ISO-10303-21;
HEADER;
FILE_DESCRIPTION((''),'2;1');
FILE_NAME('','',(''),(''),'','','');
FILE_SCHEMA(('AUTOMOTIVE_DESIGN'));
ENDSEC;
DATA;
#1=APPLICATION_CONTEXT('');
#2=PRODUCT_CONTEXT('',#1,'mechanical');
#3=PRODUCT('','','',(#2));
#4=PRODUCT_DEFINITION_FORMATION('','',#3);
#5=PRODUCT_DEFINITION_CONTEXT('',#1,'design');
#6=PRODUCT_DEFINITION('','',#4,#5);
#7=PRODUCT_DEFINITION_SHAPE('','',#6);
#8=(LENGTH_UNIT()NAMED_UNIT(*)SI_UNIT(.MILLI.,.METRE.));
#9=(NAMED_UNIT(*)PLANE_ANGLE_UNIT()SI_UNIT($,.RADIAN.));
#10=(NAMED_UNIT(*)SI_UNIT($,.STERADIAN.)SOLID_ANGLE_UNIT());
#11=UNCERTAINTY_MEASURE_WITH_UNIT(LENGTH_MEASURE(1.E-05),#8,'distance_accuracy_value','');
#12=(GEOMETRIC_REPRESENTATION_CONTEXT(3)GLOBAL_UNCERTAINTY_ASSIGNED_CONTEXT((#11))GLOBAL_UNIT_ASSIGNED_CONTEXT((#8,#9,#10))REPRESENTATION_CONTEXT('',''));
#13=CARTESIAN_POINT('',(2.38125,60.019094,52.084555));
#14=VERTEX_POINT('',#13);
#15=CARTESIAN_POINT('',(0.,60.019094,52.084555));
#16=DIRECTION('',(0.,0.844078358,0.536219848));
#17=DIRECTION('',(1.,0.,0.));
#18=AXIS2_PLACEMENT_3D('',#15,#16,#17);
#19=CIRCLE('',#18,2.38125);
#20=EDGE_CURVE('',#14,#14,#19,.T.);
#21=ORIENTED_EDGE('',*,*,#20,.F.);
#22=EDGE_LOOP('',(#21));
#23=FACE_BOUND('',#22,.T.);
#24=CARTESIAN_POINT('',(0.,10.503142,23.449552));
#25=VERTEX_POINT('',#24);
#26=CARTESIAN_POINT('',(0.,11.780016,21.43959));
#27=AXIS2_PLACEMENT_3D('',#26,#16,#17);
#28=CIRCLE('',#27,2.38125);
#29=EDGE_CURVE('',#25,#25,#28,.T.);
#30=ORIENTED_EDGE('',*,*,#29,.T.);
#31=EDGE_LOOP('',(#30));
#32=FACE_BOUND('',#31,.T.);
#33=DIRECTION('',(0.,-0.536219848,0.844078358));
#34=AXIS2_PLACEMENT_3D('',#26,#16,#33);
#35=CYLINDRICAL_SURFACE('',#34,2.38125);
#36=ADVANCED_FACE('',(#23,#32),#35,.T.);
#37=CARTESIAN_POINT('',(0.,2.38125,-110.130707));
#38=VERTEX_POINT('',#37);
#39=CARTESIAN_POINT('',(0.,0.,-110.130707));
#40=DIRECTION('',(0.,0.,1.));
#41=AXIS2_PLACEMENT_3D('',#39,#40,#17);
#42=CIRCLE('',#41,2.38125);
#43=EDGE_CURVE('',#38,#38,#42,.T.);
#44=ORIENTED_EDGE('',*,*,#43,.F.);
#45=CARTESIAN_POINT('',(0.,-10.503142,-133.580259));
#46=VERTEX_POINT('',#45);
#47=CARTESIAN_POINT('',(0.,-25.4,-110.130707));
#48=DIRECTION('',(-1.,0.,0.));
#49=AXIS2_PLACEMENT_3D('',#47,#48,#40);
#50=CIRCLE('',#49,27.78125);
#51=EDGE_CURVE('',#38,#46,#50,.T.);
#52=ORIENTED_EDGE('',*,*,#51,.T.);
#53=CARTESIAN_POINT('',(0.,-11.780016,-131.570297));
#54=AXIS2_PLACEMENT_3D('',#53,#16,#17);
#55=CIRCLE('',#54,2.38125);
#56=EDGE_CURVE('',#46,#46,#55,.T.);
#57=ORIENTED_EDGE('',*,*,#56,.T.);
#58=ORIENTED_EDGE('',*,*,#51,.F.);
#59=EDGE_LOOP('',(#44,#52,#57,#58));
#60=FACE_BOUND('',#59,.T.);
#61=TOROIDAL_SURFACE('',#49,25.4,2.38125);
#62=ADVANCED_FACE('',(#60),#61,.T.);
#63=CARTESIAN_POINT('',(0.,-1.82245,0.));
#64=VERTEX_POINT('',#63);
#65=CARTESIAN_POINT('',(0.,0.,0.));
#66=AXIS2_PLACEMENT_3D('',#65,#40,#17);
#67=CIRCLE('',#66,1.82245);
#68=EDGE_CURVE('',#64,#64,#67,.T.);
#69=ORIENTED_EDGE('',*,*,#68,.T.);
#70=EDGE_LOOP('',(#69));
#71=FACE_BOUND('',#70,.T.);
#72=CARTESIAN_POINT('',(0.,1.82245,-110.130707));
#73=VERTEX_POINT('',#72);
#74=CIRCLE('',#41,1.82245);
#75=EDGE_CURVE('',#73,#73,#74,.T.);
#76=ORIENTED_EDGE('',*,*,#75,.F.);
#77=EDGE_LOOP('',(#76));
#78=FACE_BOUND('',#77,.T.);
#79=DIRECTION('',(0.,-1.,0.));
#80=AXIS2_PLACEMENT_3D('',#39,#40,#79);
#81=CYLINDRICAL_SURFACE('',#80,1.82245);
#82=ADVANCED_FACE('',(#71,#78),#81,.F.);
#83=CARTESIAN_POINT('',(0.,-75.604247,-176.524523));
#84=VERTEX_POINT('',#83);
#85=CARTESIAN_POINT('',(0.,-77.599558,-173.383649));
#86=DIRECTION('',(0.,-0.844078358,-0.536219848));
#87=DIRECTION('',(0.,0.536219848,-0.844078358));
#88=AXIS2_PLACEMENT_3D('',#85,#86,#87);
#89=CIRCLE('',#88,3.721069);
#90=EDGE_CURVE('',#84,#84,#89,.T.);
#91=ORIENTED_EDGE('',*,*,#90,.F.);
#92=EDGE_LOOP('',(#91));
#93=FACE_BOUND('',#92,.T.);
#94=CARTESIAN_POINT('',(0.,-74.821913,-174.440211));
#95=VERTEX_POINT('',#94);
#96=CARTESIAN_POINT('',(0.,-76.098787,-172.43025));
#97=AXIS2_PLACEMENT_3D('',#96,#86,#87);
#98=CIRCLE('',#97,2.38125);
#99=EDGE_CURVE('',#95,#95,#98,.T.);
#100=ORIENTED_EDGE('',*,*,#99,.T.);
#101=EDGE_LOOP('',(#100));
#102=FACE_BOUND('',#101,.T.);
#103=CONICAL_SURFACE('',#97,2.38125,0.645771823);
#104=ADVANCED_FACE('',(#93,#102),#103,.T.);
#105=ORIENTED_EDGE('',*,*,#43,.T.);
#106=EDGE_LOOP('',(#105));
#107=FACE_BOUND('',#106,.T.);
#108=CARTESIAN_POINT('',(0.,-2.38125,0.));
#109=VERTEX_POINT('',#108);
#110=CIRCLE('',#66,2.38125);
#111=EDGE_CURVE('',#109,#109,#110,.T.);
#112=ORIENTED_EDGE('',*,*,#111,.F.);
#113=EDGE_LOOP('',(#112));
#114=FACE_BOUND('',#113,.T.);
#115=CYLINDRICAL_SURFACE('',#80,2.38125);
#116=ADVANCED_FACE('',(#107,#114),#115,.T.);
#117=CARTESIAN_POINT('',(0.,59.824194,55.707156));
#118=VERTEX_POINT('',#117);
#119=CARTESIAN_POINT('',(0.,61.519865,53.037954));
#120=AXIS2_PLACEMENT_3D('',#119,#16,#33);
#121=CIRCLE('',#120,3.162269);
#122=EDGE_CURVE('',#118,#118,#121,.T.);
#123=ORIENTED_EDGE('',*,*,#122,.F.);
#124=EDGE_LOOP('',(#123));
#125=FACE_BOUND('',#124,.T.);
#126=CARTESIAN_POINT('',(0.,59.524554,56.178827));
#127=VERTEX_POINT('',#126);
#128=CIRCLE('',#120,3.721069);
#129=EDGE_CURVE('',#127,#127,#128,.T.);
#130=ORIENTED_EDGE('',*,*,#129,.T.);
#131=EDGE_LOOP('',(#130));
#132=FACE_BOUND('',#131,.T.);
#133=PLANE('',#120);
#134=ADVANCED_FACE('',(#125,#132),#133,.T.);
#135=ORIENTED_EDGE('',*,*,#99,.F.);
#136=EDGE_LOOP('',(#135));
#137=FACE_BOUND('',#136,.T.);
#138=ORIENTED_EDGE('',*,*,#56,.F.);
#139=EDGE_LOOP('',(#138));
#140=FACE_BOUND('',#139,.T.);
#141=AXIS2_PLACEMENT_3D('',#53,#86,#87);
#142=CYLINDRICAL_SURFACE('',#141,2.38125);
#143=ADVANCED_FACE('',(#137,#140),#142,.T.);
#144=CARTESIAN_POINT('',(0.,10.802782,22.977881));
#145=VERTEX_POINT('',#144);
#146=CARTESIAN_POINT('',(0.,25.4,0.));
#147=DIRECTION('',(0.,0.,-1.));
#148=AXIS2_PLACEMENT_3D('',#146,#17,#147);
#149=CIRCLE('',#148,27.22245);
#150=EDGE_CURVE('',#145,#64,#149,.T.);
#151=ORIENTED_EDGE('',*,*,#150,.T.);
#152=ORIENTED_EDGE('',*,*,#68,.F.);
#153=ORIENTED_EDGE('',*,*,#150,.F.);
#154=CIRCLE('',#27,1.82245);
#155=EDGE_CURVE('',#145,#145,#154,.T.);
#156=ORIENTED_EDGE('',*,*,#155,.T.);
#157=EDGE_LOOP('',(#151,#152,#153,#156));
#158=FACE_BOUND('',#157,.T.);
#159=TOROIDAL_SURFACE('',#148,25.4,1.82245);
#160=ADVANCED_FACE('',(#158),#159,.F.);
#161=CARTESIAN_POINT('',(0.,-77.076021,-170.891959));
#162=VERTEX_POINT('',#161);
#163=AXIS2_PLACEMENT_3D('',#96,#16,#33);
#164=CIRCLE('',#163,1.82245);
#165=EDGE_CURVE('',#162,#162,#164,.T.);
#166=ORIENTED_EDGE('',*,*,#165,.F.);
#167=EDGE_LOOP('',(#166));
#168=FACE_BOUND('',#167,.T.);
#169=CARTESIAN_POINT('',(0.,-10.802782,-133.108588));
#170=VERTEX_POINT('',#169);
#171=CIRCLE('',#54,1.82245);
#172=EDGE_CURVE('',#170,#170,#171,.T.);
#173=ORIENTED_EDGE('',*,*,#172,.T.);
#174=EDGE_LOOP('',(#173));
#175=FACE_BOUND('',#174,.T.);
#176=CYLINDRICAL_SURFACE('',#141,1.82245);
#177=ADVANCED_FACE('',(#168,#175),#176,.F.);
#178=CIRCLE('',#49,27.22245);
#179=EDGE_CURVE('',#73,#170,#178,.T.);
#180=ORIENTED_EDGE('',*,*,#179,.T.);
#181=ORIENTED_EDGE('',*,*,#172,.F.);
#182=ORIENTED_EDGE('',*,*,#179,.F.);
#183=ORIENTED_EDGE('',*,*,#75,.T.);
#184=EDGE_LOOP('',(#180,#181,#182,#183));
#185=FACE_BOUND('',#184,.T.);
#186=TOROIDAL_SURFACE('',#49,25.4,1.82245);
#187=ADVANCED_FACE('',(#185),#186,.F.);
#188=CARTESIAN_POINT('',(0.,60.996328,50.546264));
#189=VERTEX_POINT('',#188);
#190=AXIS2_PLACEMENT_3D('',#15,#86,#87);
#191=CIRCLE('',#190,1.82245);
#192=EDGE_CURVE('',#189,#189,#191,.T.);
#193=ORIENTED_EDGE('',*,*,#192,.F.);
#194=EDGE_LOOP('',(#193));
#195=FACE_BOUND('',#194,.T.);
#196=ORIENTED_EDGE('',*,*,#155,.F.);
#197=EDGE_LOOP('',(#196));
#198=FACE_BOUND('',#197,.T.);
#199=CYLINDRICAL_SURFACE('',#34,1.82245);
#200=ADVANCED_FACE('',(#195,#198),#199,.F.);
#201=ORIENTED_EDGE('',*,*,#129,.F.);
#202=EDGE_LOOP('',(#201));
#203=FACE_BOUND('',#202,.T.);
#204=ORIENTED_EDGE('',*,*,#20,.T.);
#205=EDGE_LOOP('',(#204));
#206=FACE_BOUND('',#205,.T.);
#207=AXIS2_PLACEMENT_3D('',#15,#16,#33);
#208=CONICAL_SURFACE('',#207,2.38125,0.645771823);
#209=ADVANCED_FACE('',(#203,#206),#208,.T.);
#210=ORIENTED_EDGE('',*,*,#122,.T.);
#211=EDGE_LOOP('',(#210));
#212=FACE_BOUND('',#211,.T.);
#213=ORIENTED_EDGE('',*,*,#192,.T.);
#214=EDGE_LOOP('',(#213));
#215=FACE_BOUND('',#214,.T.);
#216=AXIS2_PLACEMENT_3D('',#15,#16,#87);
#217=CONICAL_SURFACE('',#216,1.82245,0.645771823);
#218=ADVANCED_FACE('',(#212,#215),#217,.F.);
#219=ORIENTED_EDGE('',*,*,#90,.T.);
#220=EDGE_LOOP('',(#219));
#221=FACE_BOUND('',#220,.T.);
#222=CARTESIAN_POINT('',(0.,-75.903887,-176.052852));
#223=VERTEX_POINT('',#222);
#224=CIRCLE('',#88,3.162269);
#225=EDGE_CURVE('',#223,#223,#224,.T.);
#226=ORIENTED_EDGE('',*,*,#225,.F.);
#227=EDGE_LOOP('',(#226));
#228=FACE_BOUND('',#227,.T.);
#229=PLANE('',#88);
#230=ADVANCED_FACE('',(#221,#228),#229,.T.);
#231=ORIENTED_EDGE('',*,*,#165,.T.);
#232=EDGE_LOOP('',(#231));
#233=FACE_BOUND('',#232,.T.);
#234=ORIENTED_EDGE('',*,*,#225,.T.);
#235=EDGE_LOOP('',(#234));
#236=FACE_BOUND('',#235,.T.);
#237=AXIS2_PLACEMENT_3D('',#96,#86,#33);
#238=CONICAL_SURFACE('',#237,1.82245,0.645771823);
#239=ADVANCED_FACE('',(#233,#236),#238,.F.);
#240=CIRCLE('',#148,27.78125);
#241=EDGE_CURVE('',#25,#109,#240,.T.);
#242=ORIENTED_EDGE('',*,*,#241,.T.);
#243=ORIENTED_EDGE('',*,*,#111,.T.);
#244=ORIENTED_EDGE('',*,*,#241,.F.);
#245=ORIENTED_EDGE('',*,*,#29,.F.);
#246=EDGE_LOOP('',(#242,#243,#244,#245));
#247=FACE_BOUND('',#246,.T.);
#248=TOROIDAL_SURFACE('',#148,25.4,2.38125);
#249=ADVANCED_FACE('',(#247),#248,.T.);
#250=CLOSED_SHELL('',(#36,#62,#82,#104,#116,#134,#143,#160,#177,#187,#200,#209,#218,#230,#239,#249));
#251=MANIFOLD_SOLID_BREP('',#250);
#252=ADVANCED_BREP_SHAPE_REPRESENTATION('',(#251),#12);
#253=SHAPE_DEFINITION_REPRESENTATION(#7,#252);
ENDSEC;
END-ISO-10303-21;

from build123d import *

# Parameters (mm, degrees)
SKETCH1_R           = 2.38125
SKETCH1_R_2         = 1.82245
SKETCH4_R           = 2.38125
SKETCH4_R_2         = 1.82245
SKETCH5_R           = 2.38125
BOSS_EXTRUDE1_DEPTH = 1.778
BOSS_EXTRUDE1_DRAFT = -37
SKETCH6_R           = 1.82245
CUT_EXTRUDE1_DEPTH  = 6.146397849
CUT_EXTRUDE1_DRAFT  = 37
SKETCH7_R           = 2.38125
BOSS_EXTRUDE2_DEPTH = 1.778
BOSS_EXTRUDE2_DRAFT = -37
SKETCH8_R           = 1.82245
CUT_EXTRUDE2_DEPTH  = 6.146397849
CUT_EXTRUDE2_DRAFT  = 37


with BuildPart() as part:
    # Sweep2: sweep along a path in Sketch2
    with BuildLine(Plane(origin=(0, 0, 0), x_dir=(0, 0, -1), z_dir=(1, 0, 0))) as sweep2_path:
        Line((0, 0), (110.130707173, 0))
        ThreePointArc((110.130707173, 0), (122.362068558, -3.138962318), (131.570297464, -11.780015853))
        Line((131.570297464, -11.780015853), (172.430249905, -76.098786725))
    # Sketch1 → Sweep2 (sweep)
    with BuildSketch(Plane.XY):
        Circle(SKETCH1_R)
        Circle(SKETCH1_R_2, mode=Mode.SUBTRACT)
    sweep(path=sweep2_path.line)

    # Sweep3: sweep along a path in Sketch3
    with BuildLine(Plane(origin=(0, 0, 0), x_dir=(0, 0, -1), z_dir=(1, 0, 0))) as sweep3_path:
        Line((-52.084554622, 60.019094007), (-21.439590291, 11.780015853))
        ThreePointArc((-21.439590291, 11.780015853), (-12.231361385, 3.138962318), (0, 0))
    # Sketch4 → Sweep3 (sweep)
    with BuildSketch(Plane.XY):
        Circle(SKETCH4_R)
        Circle(SKETCH4_R_2, mode=Mode.SUBTRACT)
    sweep(path=sweep3_path.line)


with BuildPart() as boss_extrude1_tool:
    # Sketch5 → Boss-Extrude1 (with draft: the straight prism first)
    with BuildSketch(Plane(origin=(0, 66.335772321, 42.141298184), x_dir=(1, 0, 0), z_dir=(0, 0.844078358, 0.536219848))):
        with Locations(Location((0, -11.780015853, 0), (0, 0, 270))):  # turned: the seam where the file's is
            Circle(SKETCH5_R)
    extrude(amount=BOSS_EXTRUDE1_DEPTH)
    # Boss-Extrude1: the draft: its side faces are tilted about the plane it starts from
    boss_extrude1_sides = [boss_extrude1_tool.faces().sort_by_distance(p)[0] for p in [
        (0, 62.046353181, 50.551292477),
    ]]
    draft(boss_extrude1_sides, Plane(origin=(0, 66.335772321, 42.141298184), x_dir=(1, 0, 0), z_dir=(0, 0.844078358, 0.536219848)), BOSS_EXTRUDE1_DRAFT)


with BuildPart() as part_1:
    add(part.part)

    # Boss-Extrude1: add boss_extrude1_tool
    add(boss_extrude1_tool.part)


with BuildPart() as cut_extrude1_tool:
    # Sketch6 → Cut-Extrude1 (with draft: the straight prism first)
    with BuildSketch(Plane(origin=(0, 66.335772321, 42.141298184), x_dir=(1, 0, 0), z_dir=(0, -0.844078358, -0.536219848))):
        with Locations(Location((0, 11.780015853, 0), (0, 0, 90))):  # turned: the seam where the file's is
            Circle(SKETCH6_R)
    extrude(amount=-CUT_EXTRUDE1_DEPTH)
    # Cut-Extrude1: the draft: its side faces are tilted about the plane it starts from
    cut_extrude1_sides = [cut_extrude1_tool.faces().sort_by_distance(p)[0] for p in [
        (0, 63.590348571, 52.194174279),
    ]]
    draft(cut_extrude1_sides, Plane(origin=(0, 66.335772321, 42.141298184), x_dir=(1, 0, 0), z_dir=(0, -0.844078358, -0.536219848)), CUT_EXTRUDE1_DRAFT)


with BuildPart() as part_2:
    add(part_1.part)

    # Cut-Extrude1: cut by cut_extrude1_tool
    add(cut_extrude1_tool.part, mode=Mode.SUBTRACT)


with BuildPart() as boss_extrude2_tool:
    # Sketch7 → Boss-Extrude2 (with draft: the straight prism first)
    with BuildSketch(Plane(origin=(0, -132.261897211, -84.022358583), x_dir=(1, 0, 0), z_dir=(0, -0.844078358, -0.536219848))):
        with Locations(Location((0, -104.738962318, 0), (0, 0, 270))):  # turned: the seam where the file's is
            Circle(SKETCH7_R)
    extrude(amount=BOSS_EXTRUDE2_DEPTH)
    # Boss-Extrude2: the draft: its side faces are tilted about the plane it starts from
    boss_extrude2_sides = [boss_extrude2_tool.faces().sort_by_distance(p)[0] for p in [
        (0, -78.126045899, -170.89698776),
    ]]
    draft(boss_extrude2_sides, Plane(origin=(0, -132.261897211, -84.022358583), x_dir=(1, 0, 0), z_dir=(0, -0.844078358, -0.536219848)), BOSS_EXTRUDE2_DRAFT)


with BuildPart() as part_3:
    add(part_2.part)

    # Boss-Extrude2: add boss_extrude2_tool
    add(boss_extrude2_tool.part)


with BuildPart() as cut_extrude2_tool:
    # Sketch8 → Cut-Extrude2 (with draft: the straight prism first)
    with BuildSketch(Plane(origin=(0, -132.261897211, -84.022358583), x_dir=(1, 0, 0), z_dir=(0, 0.844078358, 0.536219848))):
        with Locations(Location((0, 104.738962318, 0), (0, 0, 90))):  # turned: the seam where the file's is
            Circle(SKETCH8_R)
    extrude(amount=-CUT_EXTRUDE2_DEPTH)
    # Cut-Extrude2: the draft: its side faces are tilted about the plane it starts from
    cut_extrude2_sides = [cut_extrude2_tool.faces().sort_by_distance(p)[0] for p in [
        (0, -79.670041289, -172.539869562),
    ]]
    draft(cut_extrude2_sides, Plane(origin=(0, -132.261897211, -84.022358583), x_dir=(1, 0, 0), z_dir=(0, 0.844078358, 0.536219848)), CUT_EXTRUDE2_DRAFT)


with BuildPart() as part_4:
    add(part_3.part)

    # Cut-Extrude2: cut by cut_extrude2_tool
    add(cut_extrude2_tool.part, mode=Mode.SUBTRACT)


solid = part_4.part
